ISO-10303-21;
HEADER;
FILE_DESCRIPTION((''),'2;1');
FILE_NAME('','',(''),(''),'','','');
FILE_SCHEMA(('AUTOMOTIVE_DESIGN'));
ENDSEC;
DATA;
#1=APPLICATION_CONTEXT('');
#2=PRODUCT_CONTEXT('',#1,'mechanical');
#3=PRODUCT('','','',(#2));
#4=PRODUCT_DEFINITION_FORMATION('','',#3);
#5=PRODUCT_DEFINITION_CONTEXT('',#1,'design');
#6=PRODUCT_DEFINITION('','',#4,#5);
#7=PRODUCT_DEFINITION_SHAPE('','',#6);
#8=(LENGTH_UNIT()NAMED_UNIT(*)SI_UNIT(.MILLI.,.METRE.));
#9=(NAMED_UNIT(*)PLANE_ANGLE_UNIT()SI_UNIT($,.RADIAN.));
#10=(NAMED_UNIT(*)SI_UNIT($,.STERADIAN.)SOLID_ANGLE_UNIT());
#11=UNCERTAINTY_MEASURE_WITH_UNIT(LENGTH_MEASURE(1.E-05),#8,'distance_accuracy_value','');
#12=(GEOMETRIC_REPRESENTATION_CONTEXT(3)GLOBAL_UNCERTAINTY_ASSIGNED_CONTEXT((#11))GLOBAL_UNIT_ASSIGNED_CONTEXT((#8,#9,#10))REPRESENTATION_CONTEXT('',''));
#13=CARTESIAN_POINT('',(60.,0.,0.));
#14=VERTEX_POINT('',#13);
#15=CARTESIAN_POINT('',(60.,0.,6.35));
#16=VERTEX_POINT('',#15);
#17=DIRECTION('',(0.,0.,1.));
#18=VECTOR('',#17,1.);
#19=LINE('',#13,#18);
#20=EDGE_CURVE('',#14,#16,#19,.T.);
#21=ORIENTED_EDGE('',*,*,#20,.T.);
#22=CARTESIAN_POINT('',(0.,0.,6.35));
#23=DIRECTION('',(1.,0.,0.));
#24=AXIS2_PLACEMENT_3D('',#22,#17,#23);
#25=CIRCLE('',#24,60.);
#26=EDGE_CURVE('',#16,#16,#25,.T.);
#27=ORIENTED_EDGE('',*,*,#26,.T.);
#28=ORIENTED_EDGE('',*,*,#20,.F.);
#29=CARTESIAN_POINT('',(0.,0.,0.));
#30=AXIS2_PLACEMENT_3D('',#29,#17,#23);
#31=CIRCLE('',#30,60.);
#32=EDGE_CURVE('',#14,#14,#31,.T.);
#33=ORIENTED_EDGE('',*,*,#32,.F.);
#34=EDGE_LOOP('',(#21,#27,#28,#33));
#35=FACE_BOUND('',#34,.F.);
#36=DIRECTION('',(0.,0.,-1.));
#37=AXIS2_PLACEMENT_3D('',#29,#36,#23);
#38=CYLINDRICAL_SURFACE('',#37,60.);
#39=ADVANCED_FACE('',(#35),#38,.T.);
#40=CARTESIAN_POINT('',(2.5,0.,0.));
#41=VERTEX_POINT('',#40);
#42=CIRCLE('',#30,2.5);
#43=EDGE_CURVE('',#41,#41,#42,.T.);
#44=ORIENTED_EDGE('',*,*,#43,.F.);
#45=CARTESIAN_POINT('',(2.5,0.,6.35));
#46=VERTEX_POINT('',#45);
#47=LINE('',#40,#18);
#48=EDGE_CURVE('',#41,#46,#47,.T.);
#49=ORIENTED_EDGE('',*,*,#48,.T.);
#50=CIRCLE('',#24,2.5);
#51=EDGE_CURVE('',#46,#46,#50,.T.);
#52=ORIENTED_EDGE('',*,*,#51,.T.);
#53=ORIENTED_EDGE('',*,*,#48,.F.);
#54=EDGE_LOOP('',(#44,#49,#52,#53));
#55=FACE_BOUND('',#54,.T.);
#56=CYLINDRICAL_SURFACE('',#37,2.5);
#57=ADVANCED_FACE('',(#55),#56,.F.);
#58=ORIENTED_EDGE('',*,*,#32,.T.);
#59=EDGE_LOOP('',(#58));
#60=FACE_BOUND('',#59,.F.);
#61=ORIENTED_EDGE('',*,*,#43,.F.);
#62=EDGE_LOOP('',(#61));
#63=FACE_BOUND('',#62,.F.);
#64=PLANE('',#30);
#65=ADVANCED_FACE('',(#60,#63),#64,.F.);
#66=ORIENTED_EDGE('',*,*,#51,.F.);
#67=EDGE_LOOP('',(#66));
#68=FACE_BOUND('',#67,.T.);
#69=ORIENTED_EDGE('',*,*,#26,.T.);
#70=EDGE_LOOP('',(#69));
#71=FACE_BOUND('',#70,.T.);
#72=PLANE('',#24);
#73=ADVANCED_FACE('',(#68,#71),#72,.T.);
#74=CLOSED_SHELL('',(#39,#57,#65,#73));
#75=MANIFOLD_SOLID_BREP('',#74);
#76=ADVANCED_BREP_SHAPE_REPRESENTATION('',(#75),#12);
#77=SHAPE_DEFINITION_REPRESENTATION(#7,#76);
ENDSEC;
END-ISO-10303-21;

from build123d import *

# Parameters (mm, degrees)
SKETCH_R   = 60
SKETCH_R_2 = 2.5
PAD_DEPTH  = 6.35


with BuildPart() as part:
    # Sketch → Pad (new body)
    with BuildSketch(Plane.XY):
        Circle(SKETCH_R)
        Circle(SKETCH_R_2, mode=Mode.SUBTRACT)
    extrude(amount=PAD_DEPTH)


solid = part.part
